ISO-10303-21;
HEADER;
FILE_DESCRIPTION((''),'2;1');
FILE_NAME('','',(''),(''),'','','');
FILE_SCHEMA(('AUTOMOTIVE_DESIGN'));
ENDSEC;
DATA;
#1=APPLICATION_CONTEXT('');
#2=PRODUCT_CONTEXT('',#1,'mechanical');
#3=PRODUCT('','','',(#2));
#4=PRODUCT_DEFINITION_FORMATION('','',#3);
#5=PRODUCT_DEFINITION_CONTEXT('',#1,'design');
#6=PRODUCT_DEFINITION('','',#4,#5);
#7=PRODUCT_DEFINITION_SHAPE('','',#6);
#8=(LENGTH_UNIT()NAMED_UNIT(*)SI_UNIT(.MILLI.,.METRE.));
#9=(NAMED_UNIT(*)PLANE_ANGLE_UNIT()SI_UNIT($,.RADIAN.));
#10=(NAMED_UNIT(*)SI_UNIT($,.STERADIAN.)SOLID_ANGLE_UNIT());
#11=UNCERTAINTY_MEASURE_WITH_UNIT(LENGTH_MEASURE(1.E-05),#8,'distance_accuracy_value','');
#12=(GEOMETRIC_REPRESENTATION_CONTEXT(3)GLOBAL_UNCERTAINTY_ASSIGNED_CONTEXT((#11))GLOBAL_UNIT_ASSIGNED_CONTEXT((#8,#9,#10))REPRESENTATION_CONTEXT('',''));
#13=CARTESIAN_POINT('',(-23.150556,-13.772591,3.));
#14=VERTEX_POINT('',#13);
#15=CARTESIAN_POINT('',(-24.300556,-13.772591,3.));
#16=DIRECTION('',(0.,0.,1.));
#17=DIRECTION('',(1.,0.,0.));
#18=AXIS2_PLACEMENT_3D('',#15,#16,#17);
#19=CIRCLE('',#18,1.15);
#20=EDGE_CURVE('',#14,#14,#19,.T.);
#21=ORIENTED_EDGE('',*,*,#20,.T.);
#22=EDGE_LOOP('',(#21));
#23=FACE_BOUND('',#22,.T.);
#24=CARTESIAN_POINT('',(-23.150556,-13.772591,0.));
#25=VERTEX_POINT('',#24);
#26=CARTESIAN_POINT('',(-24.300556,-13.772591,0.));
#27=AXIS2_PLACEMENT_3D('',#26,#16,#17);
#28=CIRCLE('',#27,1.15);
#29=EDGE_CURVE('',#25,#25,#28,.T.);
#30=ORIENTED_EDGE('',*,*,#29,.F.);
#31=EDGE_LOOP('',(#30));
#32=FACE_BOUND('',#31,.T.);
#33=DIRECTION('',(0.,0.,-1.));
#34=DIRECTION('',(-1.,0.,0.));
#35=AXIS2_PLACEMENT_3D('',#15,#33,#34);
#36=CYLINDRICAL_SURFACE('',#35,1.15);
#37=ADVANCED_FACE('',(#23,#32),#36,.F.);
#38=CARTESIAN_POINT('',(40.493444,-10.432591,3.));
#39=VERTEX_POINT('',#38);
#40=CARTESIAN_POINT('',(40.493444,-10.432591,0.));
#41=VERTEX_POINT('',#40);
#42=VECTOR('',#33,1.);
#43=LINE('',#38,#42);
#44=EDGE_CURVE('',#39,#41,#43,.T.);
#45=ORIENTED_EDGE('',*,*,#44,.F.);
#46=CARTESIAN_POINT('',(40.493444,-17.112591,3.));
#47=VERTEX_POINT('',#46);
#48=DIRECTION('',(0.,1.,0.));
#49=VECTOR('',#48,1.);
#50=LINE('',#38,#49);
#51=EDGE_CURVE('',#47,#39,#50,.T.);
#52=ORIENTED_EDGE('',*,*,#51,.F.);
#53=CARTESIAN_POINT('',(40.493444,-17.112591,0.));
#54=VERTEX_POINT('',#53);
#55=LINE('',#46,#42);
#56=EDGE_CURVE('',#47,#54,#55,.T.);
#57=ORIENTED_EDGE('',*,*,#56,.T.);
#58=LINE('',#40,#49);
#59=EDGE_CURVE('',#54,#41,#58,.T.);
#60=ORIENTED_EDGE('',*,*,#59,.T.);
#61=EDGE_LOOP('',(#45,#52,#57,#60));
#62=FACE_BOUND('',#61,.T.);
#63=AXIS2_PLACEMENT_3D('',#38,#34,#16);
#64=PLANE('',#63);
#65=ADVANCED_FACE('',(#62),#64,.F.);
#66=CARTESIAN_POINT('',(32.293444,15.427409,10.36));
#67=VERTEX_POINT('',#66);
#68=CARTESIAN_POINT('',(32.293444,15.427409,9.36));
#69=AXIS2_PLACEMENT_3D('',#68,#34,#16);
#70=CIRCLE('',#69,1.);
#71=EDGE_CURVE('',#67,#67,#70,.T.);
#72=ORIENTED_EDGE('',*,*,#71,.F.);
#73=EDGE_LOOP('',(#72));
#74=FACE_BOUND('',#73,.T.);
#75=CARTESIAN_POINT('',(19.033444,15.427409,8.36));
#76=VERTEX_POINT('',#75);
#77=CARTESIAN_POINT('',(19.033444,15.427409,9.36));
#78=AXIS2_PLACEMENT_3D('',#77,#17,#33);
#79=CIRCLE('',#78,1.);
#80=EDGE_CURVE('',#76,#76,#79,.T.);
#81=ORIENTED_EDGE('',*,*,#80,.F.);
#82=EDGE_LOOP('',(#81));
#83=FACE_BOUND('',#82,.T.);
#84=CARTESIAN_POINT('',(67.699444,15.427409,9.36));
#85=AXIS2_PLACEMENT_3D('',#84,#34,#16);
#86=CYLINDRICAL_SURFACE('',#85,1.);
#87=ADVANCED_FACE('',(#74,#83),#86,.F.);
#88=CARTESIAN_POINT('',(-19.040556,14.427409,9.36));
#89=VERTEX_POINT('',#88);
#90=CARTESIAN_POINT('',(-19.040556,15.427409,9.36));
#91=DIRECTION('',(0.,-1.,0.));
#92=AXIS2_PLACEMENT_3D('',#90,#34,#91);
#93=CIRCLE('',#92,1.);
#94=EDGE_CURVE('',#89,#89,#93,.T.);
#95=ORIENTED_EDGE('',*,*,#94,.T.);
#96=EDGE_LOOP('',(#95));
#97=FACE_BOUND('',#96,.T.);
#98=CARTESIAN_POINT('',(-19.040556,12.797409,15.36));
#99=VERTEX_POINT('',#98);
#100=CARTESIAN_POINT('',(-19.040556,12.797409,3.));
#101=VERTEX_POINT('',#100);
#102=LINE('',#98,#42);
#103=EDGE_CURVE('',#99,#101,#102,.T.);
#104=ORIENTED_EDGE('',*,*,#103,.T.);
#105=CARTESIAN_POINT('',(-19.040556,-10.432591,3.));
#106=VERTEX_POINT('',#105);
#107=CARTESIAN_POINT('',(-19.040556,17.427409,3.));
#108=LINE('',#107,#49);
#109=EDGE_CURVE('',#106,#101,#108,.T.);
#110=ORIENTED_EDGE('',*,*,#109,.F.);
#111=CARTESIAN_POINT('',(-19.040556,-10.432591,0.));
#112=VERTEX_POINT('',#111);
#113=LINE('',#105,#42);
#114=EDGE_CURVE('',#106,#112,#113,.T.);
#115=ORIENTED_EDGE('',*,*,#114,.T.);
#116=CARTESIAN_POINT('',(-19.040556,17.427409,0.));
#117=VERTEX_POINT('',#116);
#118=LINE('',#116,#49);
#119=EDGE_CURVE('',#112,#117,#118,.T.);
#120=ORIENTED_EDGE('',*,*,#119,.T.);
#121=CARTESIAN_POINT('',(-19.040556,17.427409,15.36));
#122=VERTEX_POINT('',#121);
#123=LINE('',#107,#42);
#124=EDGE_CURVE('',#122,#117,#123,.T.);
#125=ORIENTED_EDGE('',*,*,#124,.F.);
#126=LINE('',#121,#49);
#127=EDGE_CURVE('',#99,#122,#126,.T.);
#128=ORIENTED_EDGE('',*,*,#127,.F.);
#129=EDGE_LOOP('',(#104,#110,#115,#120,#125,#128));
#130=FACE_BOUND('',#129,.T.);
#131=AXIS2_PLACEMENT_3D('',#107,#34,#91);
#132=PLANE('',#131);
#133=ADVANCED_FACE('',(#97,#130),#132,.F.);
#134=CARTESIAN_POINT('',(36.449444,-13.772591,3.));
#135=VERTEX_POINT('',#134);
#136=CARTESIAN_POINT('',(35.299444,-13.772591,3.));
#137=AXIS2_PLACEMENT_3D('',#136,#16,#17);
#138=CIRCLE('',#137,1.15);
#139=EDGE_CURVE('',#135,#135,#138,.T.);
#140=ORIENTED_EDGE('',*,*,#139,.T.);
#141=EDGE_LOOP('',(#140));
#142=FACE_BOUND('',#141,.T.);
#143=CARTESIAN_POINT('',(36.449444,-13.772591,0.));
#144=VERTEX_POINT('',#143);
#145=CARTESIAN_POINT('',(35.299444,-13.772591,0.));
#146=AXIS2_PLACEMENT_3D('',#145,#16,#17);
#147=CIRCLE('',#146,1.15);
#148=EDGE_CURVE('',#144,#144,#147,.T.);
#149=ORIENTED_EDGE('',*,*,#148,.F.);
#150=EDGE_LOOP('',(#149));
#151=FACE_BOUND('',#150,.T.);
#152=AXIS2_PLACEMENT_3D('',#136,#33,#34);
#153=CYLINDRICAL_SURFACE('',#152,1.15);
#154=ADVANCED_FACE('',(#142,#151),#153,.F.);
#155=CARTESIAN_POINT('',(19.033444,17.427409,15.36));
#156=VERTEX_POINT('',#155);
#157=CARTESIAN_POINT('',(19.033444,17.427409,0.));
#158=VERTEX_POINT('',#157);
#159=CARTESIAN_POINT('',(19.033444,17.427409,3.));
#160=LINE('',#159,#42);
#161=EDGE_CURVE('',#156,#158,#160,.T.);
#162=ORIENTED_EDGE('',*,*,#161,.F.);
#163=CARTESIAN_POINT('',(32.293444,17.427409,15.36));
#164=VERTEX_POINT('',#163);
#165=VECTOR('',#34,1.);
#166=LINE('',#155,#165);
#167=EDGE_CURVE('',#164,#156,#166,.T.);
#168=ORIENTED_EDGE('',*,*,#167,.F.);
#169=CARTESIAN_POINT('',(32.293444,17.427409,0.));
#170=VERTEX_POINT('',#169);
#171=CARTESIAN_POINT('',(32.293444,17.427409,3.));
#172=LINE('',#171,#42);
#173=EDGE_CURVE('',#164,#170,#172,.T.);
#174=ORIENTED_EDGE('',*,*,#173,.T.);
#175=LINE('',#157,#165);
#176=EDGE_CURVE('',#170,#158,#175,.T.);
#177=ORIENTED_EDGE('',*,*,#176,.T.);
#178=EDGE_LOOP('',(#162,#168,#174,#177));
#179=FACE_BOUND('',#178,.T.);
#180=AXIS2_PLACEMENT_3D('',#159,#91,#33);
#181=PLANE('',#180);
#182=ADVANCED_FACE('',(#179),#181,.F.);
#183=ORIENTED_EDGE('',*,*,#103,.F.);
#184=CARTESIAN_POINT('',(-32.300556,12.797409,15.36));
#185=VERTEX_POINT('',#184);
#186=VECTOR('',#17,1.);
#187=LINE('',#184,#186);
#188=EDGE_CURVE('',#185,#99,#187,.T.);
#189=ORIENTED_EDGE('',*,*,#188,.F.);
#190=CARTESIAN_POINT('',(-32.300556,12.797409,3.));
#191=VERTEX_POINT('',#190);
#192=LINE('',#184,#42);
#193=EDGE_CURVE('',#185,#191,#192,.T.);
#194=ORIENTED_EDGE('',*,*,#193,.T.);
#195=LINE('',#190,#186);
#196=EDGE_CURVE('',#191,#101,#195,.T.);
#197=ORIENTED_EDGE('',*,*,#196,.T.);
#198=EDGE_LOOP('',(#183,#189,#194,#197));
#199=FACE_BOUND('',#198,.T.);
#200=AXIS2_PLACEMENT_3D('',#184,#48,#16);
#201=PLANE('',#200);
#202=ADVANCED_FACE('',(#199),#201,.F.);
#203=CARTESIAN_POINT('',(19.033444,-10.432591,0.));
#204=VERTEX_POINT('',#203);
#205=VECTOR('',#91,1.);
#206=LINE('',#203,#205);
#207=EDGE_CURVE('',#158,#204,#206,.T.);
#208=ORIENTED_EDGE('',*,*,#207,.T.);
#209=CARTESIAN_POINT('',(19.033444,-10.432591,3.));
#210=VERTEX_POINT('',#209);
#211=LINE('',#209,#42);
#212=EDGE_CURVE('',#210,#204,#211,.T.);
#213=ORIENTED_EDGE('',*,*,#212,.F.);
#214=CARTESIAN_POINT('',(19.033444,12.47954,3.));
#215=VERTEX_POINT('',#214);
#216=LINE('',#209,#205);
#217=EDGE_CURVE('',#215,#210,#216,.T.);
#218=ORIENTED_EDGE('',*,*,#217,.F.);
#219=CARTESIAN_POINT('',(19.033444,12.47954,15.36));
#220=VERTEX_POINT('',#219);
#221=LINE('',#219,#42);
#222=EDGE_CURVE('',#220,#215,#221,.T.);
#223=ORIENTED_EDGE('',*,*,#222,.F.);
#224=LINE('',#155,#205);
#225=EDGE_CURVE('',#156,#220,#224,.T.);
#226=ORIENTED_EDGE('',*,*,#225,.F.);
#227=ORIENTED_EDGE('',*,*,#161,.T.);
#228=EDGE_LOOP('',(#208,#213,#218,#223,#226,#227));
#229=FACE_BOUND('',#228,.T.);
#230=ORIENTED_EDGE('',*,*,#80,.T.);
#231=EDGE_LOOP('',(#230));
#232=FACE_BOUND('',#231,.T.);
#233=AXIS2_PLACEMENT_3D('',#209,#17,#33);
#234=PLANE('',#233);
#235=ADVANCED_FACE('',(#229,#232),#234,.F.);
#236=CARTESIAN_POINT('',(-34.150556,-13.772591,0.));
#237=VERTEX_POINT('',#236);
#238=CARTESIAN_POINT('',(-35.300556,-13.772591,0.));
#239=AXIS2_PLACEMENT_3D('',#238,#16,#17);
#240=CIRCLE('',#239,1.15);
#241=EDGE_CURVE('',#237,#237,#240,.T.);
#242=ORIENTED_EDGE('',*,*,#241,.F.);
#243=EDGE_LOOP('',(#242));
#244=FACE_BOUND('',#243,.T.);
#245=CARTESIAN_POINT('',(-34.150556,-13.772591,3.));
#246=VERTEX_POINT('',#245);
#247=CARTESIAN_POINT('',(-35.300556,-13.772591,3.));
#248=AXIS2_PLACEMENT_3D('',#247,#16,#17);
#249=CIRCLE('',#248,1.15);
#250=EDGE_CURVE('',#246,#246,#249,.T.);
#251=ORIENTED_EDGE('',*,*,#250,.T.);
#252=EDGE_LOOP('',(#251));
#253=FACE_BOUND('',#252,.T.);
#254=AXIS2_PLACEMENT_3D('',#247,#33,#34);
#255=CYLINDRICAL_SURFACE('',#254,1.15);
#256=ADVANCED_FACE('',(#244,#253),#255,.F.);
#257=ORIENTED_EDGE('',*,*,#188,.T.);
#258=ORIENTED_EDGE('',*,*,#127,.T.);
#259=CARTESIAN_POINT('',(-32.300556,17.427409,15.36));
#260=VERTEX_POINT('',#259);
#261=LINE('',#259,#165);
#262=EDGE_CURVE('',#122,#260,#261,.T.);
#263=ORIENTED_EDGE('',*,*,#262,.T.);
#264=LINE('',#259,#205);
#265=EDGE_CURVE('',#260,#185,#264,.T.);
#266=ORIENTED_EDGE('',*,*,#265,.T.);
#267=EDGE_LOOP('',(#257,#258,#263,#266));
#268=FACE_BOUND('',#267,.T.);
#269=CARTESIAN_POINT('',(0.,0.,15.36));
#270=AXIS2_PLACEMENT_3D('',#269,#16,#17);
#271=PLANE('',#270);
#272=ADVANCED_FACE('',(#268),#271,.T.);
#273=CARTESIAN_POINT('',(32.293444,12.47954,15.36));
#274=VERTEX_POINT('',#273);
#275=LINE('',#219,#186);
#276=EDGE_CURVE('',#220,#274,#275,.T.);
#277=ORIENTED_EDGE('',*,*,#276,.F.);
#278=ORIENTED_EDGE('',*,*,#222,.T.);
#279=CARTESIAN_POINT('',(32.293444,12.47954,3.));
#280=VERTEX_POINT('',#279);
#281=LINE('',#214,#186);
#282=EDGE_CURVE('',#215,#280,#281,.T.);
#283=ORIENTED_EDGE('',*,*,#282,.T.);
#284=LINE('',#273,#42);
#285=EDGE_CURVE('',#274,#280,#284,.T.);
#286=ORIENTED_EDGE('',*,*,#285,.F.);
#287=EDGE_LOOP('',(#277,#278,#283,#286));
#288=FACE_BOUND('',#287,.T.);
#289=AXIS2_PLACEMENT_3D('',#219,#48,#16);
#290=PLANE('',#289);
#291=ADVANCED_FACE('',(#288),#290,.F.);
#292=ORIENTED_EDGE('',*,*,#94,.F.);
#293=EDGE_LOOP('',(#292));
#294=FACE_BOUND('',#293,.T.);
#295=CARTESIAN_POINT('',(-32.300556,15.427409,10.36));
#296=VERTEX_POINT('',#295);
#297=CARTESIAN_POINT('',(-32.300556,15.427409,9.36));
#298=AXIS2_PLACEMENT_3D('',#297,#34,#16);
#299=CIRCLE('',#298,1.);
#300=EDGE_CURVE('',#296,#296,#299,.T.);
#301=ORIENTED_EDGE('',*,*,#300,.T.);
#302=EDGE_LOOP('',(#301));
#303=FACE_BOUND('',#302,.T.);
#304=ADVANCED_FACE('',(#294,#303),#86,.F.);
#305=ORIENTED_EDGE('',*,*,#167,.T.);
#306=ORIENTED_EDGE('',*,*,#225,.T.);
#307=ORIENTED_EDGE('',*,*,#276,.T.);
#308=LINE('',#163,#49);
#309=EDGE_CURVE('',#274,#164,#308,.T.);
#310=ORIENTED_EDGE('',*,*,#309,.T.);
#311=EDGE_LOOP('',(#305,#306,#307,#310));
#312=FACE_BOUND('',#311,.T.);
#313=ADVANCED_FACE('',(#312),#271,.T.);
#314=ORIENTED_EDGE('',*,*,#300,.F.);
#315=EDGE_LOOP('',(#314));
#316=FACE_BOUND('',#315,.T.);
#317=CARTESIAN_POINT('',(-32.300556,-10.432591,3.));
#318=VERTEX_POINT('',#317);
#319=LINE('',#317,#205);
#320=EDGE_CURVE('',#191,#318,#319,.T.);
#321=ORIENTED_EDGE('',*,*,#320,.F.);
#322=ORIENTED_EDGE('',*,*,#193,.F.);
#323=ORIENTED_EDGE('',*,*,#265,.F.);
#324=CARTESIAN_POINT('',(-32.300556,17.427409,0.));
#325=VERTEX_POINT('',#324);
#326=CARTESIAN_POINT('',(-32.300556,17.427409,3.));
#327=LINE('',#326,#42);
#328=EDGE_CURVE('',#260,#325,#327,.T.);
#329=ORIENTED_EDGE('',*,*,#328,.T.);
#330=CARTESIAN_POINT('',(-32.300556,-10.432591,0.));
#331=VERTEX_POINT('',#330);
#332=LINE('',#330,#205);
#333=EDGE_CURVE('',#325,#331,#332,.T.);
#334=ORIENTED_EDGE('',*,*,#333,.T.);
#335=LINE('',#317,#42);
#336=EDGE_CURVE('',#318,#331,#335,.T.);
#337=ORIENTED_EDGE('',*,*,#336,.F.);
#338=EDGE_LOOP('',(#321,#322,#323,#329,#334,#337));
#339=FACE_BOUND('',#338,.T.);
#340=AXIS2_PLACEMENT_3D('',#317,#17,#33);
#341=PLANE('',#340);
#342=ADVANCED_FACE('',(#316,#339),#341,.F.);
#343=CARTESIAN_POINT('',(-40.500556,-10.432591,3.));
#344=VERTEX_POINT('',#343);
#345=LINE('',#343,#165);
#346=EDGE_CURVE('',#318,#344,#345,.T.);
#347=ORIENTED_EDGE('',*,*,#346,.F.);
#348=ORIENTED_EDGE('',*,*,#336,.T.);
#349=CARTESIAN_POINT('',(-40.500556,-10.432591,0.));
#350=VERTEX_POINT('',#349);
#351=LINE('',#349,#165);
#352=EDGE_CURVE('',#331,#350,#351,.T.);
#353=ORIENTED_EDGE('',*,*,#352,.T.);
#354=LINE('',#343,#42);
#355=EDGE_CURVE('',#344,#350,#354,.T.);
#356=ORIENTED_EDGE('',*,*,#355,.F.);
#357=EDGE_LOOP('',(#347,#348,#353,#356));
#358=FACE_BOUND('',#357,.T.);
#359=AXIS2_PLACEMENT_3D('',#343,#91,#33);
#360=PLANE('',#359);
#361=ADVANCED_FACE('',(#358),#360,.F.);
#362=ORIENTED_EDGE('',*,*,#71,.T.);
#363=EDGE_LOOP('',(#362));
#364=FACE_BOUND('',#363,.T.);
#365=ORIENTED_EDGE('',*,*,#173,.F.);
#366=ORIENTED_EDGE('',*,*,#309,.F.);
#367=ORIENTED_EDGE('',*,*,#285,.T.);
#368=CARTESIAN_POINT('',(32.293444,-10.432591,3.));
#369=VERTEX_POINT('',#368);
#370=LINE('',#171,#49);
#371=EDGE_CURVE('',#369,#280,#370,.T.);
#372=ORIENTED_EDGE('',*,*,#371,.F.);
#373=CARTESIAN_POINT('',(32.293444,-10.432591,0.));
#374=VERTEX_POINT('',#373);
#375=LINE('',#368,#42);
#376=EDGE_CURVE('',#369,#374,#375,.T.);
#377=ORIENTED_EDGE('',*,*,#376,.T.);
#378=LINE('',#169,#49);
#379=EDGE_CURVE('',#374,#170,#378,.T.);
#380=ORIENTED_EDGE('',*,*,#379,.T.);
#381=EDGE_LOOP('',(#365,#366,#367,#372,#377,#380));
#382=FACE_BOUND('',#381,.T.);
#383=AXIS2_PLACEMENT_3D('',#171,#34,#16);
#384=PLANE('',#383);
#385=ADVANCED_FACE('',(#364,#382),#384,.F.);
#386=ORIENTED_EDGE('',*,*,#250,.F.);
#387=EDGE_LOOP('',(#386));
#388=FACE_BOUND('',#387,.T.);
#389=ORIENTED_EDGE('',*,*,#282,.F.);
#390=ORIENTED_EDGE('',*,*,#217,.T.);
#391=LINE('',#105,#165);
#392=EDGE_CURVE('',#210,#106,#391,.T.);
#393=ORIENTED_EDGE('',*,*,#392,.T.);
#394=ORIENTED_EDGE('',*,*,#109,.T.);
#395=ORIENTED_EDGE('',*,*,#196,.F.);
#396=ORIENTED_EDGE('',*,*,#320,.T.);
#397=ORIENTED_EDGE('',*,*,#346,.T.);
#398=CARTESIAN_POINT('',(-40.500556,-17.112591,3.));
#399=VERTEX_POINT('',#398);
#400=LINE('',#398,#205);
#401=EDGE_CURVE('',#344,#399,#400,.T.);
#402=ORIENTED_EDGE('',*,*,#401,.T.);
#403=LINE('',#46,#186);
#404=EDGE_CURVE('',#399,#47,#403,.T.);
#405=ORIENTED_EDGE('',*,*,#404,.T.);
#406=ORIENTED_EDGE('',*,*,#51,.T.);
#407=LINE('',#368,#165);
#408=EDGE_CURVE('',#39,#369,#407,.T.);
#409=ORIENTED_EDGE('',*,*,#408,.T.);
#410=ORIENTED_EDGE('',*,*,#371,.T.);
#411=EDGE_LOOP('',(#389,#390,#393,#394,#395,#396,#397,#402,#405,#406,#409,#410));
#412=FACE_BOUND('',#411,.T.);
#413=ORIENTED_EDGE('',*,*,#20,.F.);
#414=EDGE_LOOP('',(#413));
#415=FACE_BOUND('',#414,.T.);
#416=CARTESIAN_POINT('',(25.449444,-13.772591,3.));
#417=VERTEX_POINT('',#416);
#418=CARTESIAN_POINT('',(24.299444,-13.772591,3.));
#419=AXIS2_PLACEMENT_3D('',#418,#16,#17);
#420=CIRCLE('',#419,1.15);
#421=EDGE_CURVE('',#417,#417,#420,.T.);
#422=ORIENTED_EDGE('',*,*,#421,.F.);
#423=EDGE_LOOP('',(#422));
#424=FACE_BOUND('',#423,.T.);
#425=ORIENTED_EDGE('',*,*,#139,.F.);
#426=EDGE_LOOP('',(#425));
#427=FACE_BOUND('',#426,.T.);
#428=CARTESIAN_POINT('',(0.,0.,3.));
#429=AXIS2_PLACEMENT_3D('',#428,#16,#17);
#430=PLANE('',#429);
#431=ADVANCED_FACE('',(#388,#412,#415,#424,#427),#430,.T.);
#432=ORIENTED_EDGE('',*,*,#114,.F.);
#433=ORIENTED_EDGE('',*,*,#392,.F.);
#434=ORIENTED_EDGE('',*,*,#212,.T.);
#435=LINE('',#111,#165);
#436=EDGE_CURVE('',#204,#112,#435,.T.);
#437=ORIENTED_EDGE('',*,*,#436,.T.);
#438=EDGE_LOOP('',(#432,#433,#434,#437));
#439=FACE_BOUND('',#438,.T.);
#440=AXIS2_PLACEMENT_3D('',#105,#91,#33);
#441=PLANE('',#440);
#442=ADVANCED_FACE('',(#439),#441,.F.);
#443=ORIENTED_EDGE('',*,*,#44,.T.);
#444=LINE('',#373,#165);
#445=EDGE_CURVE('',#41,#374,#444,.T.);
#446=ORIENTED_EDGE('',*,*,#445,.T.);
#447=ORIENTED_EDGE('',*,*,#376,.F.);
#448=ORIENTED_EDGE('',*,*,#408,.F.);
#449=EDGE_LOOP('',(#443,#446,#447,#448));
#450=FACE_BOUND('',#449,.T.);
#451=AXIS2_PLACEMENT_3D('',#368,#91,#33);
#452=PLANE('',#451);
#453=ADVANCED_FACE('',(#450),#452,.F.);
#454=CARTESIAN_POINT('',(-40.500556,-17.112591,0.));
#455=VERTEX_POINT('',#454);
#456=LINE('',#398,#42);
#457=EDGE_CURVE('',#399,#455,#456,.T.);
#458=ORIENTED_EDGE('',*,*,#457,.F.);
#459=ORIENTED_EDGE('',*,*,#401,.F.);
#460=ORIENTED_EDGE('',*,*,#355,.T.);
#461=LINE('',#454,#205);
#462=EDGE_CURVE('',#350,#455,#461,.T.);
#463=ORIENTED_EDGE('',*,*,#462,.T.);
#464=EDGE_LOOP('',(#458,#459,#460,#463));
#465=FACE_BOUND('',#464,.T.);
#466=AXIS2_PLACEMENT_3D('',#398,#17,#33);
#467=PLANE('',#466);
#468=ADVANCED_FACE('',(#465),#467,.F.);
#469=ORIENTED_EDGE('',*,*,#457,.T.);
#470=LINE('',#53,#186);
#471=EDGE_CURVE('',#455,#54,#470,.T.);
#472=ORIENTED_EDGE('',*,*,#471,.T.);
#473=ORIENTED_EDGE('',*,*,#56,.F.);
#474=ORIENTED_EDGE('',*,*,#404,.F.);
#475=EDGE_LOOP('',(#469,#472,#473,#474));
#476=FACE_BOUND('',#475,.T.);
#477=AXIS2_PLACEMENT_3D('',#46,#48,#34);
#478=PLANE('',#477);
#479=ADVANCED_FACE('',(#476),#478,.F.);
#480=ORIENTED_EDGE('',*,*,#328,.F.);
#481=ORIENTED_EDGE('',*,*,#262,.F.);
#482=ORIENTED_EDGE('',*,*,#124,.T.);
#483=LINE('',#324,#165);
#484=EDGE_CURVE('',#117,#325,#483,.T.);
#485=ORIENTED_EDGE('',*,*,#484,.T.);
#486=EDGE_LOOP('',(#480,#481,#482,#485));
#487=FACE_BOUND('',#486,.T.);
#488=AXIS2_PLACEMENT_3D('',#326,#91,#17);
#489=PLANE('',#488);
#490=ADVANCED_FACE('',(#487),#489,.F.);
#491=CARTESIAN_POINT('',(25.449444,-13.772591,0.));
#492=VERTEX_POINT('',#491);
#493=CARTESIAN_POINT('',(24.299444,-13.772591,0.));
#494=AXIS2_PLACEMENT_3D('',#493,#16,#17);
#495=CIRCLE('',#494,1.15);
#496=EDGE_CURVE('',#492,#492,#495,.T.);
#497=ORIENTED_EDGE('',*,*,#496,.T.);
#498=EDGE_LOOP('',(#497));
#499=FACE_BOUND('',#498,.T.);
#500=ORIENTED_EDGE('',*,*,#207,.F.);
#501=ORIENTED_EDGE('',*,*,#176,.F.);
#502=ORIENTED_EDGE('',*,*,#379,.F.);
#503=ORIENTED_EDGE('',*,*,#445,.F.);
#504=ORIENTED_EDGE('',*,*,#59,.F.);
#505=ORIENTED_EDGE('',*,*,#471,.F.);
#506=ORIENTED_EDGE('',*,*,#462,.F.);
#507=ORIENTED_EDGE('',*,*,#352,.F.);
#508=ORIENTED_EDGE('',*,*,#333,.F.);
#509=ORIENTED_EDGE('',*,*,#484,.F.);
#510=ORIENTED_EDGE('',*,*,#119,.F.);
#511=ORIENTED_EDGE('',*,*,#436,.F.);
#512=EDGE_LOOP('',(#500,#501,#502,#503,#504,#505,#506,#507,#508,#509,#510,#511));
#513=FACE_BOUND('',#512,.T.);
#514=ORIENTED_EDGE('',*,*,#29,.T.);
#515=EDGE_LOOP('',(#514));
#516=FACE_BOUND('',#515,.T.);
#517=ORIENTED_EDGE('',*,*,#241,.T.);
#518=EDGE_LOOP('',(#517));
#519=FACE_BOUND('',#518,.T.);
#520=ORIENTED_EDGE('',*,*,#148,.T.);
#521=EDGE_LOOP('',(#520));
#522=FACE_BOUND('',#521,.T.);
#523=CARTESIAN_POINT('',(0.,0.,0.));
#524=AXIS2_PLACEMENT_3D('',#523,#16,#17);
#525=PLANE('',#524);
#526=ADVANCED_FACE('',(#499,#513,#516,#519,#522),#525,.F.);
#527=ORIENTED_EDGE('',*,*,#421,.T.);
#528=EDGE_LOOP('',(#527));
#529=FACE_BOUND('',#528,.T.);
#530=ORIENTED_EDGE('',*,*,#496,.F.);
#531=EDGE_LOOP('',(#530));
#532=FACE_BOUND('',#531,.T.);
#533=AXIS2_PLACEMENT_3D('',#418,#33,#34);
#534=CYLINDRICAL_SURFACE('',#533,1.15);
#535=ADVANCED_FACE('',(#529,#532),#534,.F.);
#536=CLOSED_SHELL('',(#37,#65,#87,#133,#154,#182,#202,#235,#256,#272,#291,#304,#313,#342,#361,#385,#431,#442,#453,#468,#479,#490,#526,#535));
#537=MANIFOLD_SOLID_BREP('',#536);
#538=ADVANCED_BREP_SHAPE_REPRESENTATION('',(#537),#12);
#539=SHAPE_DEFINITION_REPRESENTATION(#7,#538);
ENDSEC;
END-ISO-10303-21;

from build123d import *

# Parameters (mm, degrees)
SKETCH_1_R          = 1.15
EXTRUDE_1_DEPTH     = 3
SKETCH_2_W          = 13.26
SKETCH_2_H          = 4.63
SKETCH_2_H_2        = 4.947868295
EXTRUDE_2_DEPTH     = 12.36
SKETCH_3_R          = 1
CUT_EXTRUDE_1_DEPTH = 100


with BuildPart() as part:
    # 草图1 → 凸台-拉伸1 (new body)
    with BuildSketch(Plane.XY):
        Polygon((-32.300556088, -10.432591376), (-32.300556088, 17.427408624), (-19.040556088, 17.427408624), (-19.040556088, -10.432591376), (19.033443912, -10.432591376), (19.033443912, 17.427408624), (32.293443912, 17.427408624), (32.293443912, -10.432591376), (40.493443912, -10.432591376), (40.493443912, -17.112591376), (-40.500556088, -17.112591376), (-40.500556088, -10.432591376), align=None)
        with Locations((-35.300556088, -13.772591376)):
            Circle(SKETCH_1_R, mode=Mode.SUBTRACT)
        with Locations((-24.300556088, -13.772591376)):
            Circle(SKETCH_1_R, mode=Mode.SUBTRACT)
        with Locations((24.299443912, -13.772591376)):
            Circle(SKETCH_1_R, mode=Mode.SUBTRACT)
        with Locations((35.299443912, -13.772591376)):
            Circle(SKETCH_1_R, mode=Mode.SUBTRACT)
    extrude(amount=EXTRUDE_1_DEPTH)

    # 草图2 → 凸台-拉伸2 (add)
    with BuildSketch(Plane.XY.offset(3)):
        with Locations((-25.670556088, 15.112408624)):
            Rectangle(SKETCH_2_W, SKETCH_2_H)
        with Locations((25.663443912, 14.953474477)):
            Rectangle(SKETCH_2_W, SKETCH_2_H_2)
    extrude(amount=EXTRUDE_2_DEPTH)

    # 草图3 → 切除-拉伸1 (cut)
    with BuildSketch(Plane.ZY.offset(32.300556088)):
        with Locations((9.36, 15.427408624)):
            Circle(SKETCH_3_R)
    extrude(amount=-CUT_EXTRUDE_1_DEPTH, mode=Mode.SUBTRACT)


solid = part.part
